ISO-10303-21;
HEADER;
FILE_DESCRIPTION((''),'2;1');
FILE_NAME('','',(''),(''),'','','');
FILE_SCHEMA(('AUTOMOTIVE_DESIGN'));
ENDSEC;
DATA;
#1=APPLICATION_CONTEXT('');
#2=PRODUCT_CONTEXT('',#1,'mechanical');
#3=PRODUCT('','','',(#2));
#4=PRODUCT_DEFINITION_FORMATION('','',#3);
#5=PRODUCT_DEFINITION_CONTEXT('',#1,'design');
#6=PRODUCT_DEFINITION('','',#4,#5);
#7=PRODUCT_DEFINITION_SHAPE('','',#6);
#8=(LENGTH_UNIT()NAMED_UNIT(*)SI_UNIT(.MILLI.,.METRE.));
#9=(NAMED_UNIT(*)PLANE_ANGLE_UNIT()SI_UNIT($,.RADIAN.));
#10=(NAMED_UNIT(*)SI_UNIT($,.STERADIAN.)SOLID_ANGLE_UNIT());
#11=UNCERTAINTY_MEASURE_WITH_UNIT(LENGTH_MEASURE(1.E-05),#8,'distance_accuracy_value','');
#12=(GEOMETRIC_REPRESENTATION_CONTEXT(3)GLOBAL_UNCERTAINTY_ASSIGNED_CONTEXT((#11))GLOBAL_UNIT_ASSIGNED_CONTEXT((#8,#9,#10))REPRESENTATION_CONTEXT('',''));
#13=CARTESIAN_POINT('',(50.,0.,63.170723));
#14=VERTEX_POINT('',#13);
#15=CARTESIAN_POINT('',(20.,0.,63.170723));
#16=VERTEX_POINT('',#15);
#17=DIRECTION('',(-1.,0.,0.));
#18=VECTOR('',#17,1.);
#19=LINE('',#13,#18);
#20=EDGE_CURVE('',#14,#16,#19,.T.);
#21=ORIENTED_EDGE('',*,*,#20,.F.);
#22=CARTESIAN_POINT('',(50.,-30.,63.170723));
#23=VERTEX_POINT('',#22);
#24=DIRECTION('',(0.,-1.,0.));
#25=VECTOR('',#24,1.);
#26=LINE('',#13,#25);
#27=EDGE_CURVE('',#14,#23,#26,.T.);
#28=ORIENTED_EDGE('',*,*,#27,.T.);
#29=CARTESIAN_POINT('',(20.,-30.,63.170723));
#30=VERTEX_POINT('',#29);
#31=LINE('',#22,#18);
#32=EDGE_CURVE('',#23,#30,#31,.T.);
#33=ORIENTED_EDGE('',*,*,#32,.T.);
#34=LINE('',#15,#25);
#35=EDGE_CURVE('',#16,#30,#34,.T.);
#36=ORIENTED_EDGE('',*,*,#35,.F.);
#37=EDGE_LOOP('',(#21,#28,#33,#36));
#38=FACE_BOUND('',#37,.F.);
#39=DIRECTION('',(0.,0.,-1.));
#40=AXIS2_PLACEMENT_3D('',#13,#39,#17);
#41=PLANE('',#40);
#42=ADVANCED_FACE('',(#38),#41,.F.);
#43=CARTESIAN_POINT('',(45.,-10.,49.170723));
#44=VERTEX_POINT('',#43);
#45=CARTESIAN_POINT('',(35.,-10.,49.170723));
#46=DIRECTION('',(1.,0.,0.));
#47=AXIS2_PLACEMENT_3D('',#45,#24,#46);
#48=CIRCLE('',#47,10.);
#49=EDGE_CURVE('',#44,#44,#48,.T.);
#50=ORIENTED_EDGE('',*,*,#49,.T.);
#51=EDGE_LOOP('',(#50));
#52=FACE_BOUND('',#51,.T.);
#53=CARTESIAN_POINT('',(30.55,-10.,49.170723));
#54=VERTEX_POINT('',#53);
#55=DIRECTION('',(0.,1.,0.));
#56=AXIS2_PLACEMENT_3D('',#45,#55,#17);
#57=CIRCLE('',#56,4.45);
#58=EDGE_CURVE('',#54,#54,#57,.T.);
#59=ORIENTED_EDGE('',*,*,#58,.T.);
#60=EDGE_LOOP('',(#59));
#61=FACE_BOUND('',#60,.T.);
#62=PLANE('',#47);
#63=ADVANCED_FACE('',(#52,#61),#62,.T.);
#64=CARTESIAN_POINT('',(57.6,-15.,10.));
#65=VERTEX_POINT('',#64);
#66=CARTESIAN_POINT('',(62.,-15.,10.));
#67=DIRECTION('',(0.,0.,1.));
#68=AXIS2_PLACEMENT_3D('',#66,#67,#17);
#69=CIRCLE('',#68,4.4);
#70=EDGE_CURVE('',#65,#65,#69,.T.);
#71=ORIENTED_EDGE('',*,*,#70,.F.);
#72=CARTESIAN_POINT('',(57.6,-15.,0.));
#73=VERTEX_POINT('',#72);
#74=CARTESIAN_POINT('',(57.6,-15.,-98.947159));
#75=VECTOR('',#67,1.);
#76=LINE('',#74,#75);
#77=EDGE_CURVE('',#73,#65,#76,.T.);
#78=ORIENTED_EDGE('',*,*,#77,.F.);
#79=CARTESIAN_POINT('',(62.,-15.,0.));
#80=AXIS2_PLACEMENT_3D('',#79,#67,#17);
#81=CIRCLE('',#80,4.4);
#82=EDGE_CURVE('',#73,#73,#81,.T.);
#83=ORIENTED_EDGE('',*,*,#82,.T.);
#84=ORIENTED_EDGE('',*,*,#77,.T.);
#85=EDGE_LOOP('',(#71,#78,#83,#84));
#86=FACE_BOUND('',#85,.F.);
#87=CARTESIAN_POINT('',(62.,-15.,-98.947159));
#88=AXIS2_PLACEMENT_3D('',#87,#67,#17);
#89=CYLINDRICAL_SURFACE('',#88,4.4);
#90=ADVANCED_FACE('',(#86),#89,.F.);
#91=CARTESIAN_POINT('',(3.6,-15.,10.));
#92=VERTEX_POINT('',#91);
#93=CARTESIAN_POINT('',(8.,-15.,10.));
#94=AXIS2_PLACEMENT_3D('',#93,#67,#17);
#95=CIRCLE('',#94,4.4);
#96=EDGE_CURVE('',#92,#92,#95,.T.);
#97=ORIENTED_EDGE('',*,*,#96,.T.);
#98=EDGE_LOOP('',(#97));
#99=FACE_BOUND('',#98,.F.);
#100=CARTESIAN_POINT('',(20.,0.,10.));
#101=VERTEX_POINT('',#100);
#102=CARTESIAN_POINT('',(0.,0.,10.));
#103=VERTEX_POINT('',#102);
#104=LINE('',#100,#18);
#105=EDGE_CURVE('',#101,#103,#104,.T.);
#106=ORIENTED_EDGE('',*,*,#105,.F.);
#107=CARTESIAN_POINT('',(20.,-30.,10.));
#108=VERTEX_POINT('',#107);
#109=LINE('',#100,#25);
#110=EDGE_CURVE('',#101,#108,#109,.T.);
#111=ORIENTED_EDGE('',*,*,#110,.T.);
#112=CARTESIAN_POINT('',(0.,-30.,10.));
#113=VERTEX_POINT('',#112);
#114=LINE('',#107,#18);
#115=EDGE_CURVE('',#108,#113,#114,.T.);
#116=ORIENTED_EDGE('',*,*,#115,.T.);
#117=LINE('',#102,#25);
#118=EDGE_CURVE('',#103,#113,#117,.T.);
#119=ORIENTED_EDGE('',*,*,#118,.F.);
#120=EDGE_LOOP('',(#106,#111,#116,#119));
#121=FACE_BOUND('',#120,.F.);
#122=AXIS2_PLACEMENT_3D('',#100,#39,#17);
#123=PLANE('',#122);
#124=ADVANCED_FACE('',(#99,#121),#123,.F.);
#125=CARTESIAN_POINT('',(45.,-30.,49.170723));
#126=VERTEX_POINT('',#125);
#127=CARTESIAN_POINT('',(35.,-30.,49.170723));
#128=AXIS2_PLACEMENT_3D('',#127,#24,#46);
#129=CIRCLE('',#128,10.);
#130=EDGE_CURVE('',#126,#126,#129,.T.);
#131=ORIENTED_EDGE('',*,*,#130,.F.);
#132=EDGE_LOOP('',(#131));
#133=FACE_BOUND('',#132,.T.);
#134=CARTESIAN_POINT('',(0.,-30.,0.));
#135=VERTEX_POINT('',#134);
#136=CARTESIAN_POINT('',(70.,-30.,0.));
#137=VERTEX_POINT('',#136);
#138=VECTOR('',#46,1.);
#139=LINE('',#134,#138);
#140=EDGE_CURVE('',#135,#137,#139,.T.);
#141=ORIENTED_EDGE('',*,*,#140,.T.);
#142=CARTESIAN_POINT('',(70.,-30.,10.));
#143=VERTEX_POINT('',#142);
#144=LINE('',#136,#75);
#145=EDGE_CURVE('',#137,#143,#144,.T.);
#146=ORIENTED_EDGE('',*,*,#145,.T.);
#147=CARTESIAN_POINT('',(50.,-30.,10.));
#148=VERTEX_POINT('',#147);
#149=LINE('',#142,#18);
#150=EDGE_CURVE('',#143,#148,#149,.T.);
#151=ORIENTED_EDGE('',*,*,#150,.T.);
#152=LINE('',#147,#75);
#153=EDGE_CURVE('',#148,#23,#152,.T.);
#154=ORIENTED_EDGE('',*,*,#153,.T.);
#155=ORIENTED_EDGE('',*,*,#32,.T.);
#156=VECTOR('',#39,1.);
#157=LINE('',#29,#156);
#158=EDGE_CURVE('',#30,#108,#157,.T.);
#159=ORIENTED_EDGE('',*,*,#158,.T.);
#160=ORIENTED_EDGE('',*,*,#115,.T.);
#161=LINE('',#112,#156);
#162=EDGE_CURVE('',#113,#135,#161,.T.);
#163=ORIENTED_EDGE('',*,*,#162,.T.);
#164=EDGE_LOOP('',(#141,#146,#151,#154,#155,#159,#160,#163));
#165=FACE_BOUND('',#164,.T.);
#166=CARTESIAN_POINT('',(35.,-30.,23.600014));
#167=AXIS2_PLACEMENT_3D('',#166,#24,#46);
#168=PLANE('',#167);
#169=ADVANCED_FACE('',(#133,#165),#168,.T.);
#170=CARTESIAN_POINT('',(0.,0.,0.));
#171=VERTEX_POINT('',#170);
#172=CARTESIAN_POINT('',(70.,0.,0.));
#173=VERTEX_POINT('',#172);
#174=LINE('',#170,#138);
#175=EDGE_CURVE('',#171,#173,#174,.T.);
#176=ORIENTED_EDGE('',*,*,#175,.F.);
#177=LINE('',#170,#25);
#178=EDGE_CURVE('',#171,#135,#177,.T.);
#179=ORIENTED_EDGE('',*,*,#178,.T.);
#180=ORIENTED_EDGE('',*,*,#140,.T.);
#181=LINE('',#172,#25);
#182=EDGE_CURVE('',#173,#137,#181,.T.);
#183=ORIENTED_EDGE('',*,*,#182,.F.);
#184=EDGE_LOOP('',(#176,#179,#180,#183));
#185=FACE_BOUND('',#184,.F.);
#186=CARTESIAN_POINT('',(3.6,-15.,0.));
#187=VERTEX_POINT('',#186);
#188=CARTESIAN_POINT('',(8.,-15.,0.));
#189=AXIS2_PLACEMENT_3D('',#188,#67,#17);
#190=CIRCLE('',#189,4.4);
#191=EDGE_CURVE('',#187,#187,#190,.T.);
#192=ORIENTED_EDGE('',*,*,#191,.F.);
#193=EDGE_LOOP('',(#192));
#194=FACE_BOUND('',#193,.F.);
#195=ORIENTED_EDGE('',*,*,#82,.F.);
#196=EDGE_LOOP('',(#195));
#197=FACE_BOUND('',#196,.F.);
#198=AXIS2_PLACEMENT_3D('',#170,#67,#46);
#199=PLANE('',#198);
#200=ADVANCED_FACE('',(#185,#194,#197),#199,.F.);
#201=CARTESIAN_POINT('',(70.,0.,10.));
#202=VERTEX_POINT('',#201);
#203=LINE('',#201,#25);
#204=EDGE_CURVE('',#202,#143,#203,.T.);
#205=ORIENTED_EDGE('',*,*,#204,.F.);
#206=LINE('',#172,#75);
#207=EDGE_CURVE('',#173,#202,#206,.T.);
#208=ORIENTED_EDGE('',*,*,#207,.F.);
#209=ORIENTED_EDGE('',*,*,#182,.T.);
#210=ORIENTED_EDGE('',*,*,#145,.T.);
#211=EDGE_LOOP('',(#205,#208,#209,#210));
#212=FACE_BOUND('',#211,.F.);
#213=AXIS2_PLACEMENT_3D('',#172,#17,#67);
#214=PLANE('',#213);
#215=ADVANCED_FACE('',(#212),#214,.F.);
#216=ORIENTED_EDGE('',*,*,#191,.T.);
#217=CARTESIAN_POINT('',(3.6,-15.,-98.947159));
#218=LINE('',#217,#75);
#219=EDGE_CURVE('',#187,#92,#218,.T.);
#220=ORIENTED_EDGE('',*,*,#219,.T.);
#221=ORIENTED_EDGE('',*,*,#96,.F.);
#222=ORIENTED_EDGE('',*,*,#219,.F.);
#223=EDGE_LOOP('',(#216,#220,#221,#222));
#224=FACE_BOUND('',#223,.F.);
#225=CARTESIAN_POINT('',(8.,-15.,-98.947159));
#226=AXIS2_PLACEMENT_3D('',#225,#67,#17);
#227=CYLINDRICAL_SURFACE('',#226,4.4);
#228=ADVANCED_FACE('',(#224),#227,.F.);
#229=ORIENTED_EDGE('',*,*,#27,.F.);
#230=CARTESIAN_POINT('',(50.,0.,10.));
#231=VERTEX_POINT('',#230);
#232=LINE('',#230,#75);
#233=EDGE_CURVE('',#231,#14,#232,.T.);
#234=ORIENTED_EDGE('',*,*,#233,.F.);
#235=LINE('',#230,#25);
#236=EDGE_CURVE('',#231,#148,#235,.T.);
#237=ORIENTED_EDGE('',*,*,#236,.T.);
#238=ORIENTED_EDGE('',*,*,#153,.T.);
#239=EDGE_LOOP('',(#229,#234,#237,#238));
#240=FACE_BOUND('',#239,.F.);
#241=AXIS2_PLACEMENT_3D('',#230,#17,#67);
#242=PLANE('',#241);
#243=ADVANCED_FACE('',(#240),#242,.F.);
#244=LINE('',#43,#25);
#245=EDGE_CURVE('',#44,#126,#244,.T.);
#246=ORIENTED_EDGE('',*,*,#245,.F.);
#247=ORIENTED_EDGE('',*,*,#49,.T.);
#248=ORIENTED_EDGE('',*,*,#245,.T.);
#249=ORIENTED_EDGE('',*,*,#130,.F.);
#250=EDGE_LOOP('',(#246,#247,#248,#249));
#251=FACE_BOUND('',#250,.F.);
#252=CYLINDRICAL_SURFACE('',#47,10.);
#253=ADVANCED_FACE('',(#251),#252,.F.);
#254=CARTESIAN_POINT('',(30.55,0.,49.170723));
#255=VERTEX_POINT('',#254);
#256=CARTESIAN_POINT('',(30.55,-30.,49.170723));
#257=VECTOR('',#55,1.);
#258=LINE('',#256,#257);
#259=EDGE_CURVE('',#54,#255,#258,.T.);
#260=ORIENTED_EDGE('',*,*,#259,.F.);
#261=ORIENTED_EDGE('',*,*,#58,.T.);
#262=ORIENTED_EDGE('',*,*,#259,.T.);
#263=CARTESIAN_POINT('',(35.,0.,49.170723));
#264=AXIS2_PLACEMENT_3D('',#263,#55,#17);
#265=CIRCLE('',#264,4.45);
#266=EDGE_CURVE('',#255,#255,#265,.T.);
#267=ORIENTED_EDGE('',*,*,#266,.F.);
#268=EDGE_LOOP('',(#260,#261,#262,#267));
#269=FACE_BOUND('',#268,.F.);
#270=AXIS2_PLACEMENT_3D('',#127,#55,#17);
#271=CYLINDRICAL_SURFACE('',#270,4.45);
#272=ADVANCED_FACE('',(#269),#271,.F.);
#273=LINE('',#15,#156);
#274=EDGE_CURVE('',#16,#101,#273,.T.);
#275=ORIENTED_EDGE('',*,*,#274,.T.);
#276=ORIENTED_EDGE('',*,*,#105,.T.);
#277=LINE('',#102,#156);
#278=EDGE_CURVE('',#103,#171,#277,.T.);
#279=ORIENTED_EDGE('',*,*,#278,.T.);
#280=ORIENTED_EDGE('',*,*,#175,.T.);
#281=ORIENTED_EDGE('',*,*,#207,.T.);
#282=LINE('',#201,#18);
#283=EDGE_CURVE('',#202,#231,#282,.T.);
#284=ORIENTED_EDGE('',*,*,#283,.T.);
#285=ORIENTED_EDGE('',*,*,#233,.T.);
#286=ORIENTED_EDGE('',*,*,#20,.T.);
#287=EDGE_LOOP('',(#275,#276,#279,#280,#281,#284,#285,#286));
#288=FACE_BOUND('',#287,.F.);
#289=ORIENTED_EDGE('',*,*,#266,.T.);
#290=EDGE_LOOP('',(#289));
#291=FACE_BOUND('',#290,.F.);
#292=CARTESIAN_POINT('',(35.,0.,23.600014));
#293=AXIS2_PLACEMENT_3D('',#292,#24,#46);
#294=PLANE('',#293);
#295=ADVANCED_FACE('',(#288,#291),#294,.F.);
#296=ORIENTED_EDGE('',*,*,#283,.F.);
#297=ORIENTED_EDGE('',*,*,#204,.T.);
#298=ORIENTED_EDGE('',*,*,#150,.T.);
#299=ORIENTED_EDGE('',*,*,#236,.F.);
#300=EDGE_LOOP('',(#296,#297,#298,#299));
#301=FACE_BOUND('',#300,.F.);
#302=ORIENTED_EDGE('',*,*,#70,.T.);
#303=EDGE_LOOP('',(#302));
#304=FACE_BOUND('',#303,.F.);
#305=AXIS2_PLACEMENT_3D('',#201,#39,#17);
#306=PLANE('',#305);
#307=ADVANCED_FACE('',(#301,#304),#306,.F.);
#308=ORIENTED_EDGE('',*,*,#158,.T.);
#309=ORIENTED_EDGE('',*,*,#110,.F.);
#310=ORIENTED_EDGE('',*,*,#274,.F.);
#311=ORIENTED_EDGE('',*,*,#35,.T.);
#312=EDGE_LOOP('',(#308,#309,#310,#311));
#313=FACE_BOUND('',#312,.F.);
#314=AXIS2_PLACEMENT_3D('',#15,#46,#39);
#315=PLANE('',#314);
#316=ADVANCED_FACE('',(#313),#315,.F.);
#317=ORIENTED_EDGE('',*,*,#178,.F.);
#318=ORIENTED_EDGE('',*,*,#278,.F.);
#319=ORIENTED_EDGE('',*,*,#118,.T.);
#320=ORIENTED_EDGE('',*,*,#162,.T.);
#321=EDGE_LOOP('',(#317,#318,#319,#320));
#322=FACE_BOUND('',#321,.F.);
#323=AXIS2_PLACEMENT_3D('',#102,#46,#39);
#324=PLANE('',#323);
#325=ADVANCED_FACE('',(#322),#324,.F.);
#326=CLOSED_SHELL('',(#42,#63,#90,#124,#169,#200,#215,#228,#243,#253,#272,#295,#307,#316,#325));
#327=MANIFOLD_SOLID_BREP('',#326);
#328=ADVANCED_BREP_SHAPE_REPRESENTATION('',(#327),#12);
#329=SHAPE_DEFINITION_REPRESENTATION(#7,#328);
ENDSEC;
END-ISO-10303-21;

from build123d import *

# Parameters (mm, degrees)
F1_DEPTH       = 30
F3_D           = 8.9
F3_CBORE_D     = 20
F3_CBORE_DEPTH = 20
F5_D           = 8.8


with BuildPart() as f1:
    # F0 (on Front) → F1 (new body)
    with BuildSketch(Plane.XZ):
        Polygon((0, 10), (0, 0), (70, 0), (70, 10), (50, 10), (50, 63.1707229285), (20, 63.1707229285), (20, 10), align=None)
    extrude(amount=F1_DEPTH)

    # F3 (through all)
    with Locations(Plane.XZ.offset(30)):
        with Locations((35, 49.1707229285)):
            CounterBoreHole(F3_D / 2, F3_CBORE_D / 2, F3_CBORE_DEPTH)

    # F5 (through all)
    with Locations(Plane(origin=(0, 0, 0), x_dir=(1, 0, 0), z_dir=(0, 0, -1))):
        with Locations((8, 15), (62, 15)):
            Hole(F5_D / 2)


solid = f1.part
